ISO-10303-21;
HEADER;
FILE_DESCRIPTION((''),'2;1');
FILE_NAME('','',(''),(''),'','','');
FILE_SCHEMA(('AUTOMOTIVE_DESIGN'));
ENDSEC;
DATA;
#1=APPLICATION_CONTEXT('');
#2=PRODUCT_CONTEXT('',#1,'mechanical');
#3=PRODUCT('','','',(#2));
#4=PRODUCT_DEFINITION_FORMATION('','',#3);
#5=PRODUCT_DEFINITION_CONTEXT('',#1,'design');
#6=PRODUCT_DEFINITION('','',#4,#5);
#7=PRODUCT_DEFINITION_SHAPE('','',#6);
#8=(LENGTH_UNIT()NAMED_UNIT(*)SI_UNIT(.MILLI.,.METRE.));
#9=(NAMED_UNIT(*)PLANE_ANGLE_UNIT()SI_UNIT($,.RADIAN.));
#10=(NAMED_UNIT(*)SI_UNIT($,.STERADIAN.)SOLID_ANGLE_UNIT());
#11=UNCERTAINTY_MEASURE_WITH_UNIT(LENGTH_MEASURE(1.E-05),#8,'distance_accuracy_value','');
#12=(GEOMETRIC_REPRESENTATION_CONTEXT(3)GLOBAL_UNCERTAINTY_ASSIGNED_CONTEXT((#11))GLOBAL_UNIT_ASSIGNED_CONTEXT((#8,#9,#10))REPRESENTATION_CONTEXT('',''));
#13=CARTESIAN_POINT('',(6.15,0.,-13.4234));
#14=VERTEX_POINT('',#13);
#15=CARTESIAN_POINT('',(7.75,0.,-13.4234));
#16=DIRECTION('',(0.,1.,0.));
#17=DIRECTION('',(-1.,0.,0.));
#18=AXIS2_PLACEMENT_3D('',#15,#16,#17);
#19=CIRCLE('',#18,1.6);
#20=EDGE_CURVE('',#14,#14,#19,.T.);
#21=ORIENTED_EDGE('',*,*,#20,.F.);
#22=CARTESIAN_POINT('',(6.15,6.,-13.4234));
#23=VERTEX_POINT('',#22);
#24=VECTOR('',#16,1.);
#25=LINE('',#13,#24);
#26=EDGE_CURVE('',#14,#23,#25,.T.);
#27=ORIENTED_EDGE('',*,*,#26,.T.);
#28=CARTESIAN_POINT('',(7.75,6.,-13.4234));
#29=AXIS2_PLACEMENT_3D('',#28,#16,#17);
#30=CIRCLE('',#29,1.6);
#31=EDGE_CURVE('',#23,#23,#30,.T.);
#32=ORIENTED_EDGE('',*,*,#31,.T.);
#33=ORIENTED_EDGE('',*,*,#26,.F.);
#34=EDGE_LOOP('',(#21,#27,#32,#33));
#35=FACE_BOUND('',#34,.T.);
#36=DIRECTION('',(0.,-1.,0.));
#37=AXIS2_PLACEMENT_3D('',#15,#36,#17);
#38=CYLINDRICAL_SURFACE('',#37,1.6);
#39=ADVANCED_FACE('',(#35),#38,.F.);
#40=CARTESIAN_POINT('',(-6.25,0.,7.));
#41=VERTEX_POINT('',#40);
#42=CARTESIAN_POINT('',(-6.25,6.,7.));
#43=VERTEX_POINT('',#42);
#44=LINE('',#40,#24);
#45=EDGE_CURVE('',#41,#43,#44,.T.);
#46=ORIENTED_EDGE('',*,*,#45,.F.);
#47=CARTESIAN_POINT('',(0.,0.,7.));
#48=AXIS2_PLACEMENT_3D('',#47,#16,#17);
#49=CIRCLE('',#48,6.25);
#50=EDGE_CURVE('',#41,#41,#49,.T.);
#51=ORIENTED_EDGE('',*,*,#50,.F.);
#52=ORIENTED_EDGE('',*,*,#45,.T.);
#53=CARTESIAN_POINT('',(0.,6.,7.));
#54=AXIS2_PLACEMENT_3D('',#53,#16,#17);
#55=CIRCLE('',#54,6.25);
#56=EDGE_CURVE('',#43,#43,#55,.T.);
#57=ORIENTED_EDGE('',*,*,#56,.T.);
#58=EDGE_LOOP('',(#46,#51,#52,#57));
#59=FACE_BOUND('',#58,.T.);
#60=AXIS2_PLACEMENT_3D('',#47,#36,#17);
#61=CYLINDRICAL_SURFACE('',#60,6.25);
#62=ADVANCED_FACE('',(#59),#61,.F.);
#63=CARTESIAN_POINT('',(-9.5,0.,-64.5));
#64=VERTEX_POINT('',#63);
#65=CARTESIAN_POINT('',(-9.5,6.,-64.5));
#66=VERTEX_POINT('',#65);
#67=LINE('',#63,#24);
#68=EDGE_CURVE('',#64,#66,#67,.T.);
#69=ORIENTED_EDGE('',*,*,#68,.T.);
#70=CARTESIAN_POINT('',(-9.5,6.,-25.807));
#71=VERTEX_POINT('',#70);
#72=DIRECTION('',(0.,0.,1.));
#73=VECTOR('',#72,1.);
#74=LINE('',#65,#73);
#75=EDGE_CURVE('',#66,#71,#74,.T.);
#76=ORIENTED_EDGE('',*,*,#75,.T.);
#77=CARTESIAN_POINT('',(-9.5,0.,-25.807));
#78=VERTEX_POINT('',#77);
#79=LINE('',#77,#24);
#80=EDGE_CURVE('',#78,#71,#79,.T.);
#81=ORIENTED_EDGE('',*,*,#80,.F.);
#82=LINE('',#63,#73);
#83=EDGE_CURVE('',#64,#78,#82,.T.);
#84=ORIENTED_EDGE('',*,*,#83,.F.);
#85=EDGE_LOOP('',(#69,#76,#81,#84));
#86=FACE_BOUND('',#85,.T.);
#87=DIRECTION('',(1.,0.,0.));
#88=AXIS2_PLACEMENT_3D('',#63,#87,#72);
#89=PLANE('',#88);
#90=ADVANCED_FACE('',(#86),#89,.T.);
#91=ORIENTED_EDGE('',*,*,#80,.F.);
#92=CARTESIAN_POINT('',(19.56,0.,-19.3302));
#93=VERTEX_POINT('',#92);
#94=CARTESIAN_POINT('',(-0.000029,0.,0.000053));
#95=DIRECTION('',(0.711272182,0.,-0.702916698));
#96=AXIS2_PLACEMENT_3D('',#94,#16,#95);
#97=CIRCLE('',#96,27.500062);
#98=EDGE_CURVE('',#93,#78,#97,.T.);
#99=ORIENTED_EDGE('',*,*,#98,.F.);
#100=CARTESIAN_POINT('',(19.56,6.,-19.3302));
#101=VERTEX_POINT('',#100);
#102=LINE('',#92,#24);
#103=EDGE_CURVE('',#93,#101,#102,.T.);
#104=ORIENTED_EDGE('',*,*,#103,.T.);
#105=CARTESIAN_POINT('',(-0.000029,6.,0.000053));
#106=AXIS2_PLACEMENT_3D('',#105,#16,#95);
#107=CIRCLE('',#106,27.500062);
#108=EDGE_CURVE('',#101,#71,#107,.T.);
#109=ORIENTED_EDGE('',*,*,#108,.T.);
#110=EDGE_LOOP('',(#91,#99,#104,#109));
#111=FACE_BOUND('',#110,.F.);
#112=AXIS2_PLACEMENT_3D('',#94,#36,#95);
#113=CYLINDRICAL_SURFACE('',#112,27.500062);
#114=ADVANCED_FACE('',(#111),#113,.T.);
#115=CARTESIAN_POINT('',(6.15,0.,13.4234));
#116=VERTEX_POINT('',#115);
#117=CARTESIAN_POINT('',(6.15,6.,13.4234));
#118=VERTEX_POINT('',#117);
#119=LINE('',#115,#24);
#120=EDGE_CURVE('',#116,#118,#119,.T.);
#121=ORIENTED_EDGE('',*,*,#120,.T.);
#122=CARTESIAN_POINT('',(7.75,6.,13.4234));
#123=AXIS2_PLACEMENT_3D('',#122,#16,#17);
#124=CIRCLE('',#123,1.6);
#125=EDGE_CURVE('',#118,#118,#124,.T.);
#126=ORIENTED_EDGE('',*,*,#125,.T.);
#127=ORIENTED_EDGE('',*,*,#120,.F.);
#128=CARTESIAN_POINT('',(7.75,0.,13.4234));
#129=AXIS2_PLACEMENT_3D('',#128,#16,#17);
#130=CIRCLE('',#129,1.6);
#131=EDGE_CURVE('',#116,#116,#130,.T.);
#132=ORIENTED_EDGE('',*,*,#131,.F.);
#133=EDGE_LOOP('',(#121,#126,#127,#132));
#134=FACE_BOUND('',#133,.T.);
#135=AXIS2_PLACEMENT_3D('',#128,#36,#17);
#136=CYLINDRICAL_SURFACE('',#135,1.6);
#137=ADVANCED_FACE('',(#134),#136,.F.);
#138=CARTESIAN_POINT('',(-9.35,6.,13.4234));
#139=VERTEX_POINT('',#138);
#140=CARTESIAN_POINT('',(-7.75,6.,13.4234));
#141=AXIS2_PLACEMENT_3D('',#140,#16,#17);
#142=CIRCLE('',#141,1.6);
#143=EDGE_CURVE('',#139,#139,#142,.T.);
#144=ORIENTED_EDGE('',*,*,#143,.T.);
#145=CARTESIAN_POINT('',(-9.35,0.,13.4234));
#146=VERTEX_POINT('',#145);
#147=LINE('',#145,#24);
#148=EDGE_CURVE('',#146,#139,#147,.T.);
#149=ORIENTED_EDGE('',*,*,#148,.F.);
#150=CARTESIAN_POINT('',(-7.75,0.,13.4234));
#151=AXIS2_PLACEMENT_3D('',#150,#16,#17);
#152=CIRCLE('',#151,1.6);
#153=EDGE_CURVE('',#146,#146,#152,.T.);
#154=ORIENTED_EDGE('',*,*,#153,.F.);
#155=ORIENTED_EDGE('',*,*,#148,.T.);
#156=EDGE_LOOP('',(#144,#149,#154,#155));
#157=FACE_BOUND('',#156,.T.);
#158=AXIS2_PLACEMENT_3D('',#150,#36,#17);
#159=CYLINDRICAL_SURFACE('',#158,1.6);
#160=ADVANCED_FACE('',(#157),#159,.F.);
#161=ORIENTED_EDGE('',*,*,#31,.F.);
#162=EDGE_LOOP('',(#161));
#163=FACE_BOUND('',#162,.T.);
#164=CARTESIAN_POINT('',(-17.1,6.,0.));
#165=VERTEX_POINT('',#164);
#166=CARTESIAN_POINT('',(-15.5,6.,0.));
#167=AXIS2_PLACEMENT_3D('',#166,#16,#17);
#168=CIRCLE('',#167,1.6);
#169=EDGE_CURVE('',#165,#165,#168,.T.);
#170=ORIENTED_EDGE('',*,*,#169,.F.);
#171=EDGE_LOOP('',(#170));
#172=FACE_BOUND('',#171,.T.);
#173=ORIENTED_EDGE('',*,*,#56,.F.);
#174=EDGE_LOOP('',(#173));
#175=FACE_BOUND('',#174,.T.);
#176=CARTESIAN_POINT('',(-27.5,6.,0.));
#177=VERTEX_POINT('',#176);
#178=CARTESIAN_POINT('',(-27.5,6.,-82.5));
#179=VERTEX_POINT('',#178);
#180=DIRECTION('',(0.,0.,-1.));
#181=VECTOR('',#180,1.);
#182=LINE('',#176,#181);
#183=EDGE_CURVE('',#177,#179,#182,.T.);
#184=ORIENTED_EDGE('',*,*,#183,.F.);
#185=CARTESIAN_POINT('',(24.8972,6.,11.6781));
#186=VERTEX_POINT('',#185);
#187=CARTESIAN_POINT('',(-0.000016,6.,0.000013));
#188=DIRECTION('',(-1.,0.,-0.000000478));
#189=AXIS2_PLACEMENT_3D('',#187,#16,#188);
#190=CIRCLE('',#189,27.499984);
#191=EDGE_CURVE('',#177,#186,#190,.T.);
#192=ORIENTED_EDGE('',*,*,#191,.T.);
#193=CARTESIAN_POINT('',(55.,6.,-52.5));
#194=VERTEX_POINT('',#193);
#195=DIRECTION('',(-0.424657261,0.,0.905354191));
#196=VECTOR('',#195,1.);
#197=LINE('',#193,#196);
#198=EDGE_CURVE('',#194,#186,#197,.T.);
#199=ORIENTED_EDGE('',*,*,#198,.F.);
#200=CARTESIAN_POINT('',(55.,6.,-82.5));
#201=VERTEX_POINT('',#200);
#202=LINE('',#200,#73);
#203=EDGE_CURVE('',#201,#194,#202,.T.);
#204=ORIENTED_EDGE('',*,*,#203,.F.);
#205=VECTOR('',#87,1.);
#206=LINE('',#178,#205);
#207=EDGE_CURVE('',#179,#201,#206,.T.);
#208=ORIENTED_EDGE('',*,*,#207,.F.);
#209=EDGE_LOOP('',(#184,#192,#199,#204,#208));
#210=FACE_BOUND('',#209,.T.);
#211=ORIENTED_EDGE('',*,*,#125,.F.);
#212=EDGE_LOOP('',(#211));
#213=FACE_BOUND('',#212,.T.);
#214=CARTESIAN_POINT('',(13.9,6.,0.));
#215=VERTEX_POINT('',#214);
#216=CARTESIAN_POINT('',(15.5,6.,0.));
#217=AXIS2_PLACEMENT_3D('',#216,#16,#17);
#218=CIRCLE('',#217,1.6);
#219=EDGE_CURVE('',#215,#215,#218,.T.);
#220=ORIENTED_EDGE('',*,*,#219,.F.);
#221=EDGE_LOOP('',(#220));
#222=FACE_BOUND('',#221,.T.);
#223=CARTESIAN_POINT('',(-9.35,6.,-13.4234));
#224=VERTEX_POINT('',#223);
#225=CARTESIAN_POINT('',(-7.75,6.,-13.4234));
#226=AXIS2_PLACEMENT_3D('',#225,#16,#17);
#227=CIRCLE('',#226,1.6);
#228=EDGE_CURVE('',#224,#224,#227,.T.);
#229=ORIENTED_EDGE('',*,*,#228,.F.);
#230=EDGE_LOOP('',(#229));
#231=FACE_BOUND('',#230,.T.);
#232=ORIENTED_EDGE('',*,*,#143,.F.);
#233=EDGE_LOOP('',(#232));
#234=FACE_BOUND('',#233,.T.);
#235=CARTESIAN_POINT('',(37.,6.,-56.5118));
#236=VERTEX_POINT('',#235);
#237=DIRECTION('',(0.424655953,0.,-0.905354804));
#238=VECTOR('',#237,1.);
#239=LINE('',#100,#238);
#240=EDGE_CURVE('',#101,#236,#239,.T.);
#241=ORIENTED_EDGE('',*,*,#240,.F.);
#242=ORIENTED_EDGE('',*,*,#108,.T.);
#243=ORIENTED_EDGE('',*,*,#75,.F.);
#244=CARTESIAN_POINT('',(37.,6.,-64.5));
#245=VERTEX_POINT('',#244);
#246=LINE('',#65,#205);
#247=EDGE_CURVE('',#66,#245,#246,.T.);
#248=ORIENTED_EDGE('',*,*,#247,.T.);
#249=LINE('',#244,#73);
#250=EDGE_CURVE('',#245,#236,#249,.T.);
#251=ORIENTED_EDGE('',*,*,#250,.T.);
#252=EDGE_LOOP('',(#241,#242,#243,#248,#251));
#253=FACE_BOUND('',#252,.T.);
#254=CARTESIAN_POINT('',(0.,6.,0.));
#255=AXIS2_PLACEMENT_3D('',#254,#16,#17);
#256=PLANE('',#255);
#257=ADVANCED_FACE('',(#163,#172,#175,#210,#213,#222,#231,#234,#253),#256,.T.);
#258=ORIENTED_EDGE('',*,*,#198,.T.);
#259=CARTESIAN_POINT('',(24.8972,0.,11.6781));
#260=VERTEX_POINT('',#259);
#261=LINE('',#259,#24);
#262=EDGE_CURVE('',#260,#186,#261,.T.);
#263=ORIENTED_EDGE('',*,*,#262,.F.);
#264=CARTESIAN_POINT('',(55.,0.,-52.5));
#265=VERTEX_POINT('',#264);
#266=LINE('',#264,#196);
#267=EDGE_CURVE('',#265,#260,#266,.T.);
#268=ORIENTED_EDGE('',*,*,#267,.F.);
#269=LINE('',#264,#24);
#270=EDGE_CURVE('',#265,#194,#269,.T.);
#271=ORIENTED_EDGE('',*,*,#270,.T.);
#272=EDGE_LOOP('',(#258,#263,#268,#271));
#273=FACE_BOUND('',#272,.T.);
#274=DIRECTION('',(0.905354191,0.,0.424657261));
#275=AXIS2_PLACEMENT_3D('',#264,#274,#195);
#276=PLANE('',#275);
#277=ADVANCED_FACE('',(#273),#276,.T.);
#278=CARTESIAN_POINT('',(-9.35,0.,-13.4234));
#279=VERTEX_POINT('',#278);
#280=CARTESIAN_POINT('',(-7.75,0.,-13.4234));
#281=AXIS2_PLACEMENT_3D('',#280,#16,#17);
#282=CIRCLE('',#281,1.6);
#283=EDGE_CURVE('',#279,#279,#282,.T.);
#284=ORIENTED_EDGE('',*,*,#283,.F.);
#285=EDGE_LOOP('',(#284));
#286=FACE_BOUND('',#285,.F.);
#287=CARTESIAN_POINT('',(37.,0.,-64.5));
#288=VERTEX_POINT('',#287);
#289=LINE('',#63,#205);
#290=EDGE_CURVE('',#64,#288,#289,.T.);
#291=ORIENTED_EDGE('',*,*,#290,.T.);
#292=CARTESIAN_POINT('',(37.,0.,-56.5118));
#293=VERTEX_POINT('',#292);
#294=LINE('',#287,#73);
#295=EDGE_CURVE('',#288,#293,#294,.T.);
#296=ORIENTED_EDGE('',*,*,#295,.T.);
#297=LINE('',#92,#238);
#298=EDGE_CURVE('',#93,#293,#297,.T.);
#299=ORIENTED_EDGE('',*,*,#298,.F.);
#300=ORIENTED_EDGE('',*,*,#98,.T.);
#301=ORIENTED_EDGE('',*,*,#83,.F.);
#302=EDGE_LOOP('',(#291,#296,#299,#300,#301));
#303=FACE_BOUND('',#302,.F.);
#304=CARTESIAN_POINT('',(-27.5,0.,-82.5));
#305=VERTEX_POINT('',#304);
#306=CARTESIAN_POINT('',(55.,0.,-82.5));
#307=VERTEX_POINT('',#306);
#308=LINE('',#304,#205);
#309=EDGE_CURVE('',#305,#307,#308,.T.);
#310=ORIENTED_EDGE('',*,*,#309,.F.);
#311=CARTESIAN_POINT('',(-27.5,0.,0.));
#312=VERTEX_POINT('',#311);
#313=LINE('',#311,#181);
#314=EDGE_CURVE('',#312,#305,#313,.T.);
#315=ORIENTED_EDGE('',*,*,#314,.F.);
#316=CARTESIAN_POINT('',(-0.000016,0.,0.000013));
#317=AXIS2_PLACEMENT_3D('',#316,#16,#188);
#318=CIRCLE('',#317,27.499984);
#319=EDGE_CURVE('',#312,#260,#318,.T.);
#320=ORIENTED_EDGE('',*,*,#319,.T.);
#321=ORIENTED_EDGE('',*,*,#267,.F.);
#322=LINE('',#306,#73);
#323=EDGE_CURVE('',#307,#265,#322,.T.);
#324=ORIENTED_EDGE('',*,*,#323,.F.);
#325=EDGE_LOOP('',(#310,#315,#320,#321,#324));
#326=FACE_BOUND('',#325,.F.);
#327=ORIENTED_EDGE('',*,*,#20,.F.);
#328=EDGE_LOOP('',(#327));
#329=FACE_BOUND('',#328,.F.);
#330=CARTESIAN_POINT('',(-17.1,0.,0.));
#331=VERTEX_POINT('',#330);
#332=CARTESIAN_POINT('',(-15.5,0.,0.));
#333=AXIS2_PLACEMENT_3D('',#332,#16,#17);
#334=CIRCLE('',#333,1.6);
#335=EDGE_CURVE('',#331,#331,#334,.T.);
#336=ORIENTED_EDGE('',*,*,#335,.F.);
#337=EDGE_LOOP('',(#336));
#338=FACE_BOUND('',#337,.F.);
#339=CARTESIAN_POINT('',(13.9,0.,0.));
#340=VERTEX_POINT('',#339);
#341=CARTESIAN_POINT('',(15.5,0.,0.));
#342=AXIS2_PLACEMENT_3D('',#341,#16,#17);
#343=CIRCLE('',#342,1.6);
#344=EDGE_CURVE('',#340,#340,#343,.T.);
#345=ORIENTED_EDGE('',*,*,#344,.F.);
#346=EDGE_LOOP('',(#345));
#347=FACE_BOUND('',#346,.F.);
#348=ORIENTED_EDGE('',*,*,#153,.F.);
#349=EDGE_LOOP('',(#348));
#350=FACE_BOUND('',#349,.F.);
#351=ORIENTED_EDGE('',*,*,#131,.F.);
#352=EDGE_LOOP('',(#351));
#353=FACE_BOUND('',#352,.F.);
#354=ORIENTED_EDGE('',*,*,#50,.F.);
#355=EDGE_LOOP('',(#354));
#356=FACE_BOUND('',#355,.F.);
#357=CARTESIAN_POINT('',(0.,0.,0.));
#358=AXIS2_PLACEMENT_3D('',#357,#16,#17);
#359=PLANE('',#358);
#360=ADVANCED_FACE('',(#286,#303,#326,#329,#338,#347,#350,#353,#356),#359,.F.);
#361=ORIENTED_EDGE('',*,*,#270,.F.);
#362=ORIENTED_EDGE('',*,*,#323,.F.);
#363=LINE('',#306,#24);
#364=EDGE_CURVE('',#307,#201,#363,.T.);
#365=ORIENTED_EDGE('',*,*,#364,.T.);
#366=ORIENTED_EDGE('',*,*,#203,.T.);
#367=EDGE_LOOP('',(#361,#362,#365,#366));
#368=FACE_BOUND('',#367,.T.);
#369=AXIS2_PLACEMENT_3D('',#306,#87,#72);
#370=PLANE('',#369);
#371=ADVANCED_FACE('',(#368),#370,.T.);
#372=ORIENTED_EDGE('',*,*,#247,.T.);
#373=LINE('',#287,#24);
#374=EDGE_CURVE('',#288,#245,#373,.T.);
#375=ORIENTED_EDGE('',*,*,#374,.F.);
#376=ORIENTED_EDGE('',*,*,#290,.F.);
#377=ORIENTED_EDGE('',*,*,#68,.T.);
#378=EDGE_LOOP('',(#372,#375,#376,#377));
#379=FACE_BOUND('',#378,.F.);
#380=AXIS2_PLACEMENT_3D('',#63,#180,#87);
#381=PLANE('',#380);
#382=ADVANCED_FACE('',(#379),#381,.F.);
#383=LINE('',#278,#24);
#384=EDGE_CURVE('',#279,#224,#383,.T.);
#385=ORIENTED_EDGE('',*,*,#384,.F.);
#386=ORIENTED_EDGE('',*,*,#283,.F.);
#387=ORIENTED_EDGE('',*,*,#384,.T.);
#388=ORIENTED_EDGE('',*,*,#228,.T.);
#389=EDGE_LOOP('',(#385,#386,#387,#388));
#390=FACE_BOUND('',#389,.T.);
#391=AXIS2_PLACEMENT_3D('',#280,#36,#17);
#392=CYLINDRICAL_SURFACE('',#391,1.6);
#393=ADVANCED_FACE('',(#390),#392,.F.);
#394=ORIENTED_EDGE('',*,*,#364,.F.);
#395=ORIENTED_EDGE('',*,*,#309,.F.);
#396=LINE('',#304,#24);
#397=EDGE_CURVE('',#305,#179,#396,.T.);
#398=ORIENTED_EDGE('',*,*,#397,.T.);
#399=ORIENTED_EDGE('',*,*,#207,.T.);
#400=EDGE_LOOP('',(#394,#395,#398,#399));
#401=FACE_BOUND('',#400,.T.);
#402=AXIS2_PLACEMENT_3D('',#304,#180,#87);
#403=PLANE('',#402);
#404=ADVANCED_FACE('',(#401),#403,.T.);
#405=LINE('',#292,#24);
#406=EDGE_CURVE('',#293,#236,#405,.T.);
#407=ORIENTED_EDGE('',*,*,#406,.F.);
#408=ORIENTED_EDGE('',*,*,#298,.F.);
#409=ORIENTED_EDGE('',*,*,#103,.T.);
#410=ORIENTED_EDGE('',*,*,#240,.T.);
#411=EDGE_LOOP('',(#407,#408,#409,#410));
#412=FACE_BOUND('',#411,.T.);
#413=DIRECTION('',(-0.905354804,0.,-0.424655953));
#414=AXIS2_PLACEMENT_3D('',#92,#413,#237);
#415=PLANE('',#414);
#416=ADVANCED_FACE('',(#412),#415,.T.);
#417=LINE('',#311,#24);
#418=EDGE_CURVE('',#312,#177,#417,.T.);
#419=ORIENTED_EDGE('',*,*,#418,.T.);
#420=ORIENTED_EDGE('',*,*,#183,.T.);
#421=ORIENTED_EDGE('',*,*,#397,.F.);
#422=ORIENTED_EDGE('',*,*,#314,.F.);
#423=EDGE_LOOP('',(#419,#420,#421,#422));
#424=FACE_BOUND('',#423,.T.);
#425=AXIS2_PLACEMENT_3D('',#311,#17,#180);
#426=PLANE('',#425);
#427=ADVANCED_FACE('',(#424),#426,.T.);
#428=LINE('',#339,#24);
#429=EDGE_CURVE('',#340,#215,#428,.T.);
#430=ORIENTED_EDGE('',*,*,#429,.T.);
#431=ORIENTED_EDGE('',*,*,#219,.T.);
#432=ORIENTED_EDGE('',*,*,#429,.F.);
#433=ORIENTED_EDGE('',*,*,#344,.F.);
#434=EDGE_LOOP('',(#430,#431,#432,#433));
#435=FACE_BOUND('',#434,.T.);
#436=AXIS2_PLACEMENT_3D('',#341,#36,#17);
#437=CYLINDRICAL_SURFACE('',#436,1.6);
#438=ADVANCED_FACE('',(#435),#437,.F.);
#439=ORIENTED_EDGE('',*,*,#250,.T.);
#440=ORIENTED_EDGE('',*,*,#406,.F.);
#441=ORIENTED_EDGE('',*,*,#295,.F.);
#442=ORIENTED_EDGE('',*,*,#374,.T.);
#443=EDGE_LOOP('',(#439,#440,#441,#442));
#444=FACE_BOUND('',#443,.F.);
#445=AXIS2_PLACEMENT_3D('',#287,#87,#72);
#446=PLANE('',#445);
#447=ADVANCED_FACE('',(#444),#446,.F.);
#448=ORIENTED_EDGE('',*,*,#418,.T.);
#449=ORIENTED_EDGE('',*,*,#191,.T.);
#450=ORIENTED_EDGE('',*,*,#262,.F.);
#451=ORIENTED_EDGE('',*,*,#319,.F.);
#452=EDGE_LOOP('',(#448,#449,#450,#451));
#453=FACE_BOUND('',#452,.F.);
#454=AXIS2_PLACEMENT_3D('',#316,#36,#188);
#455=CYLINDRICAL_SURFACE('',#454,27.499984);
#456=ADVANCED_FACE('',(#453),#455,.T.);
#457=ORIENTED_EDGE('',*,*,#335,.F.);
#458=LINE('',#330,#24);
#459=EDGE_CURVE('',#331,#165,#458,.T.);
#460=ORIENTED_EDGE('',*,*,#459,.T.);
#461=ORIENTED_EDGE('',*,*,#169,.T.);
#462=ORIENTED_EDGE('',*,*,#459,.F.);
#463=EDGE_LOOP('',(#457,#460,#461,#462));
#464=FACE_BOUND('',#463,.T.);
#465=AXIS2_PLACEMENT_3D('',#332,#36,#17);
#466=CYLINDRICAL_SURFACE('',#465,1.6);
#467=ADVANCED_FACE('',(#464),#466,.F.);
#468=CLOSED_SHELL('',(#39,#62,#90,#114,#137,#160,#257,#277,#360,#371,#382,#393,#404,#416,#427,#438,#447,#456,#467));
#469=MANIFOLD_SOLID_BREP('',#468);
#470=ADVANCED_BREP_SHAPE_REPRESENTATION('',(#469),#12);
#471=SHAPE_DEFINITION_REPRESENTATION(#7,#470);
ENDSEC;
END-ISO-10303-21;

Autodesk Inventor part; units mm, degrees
ref_plane "YZ Plane" through (0, 0, 0) normal (1, 0, 0) x (0, 1, 0)
ref_plane "XZ Plane" through (0, 0, 0) normal (0, 1, 0) x (-1, 0, 0)
ref_plane "XY Plane" through (0, 0, 0) normal (0, 0, 1) x (1, 0, 0)
sketch "Sketch1" plane through (0, 0, 0) normal (0, 1, 0) x (-1, 0, 0)
  line L0 (-55, -52.5) -> (-24.8972, 11.6781)
  line L1 (-55, -82.5) -> (-55, -52.5)
  line L2 (27.5, 0) -> (27.5, -82.5)
  line L3 (9.5, -64.5) -> (-37, -64.5)
  line L4 (9.5, -64.5) -> (9.5, -25.807)
  line L5 (-37, -64.5) -> (-37, -56.5118)
  arc A0 (27.5, 0) -> (-24.8972, 11.6781) centre (0, 0) ccw
  arc A1 (-19.56, -19.3302) -> (9.5, -25.807) centre (0, 0) ccw
  circle A2 centre (0, 7) radius 6.25
  circle A3 centre (15.5, 0) radius 1.6
  circle A4 centre (7.75, 13.4234) radius 1.6
  circle A5 centre (-7.75, 13.4234) radius 1.6
  circle A6 centre (-15.5, 0) radius 1.6
  circle A7 centre (-7.75, -13.4234) radius 1.6
  circle A8 centre (7.75, -13.4234) radius 1.6
  line L6 (-19.56, -19.3302) -> (-37, -56.5118)
  line L7 (27.5, -82.5) -> (-55, -82.5)
  dimension "d12" = 18
  dimension "d13" = 82.5
  dimension "d14" = 12.5
  dimension "d15" = 7
  dimension "d16" = 3.2
  dimension "d17" = 15.5
  dimension "d20" = 360
  dimension "d22" = 30
  dimension "d23" = 27.5
  dimension "d24" = 18
  dimension "d25" = 27.5
  dimension "d26" = 27.5
  dimension "d27" = 27.5
  dimension "d29" = 18
  dimension "d30" = 18
  dimension "d31" = 82.5
  dimension "d32" = 82.5
extrude "Extrusion1" add sketch "Sketch1" along normal blind 6
properties part number "chassi_front_template"
